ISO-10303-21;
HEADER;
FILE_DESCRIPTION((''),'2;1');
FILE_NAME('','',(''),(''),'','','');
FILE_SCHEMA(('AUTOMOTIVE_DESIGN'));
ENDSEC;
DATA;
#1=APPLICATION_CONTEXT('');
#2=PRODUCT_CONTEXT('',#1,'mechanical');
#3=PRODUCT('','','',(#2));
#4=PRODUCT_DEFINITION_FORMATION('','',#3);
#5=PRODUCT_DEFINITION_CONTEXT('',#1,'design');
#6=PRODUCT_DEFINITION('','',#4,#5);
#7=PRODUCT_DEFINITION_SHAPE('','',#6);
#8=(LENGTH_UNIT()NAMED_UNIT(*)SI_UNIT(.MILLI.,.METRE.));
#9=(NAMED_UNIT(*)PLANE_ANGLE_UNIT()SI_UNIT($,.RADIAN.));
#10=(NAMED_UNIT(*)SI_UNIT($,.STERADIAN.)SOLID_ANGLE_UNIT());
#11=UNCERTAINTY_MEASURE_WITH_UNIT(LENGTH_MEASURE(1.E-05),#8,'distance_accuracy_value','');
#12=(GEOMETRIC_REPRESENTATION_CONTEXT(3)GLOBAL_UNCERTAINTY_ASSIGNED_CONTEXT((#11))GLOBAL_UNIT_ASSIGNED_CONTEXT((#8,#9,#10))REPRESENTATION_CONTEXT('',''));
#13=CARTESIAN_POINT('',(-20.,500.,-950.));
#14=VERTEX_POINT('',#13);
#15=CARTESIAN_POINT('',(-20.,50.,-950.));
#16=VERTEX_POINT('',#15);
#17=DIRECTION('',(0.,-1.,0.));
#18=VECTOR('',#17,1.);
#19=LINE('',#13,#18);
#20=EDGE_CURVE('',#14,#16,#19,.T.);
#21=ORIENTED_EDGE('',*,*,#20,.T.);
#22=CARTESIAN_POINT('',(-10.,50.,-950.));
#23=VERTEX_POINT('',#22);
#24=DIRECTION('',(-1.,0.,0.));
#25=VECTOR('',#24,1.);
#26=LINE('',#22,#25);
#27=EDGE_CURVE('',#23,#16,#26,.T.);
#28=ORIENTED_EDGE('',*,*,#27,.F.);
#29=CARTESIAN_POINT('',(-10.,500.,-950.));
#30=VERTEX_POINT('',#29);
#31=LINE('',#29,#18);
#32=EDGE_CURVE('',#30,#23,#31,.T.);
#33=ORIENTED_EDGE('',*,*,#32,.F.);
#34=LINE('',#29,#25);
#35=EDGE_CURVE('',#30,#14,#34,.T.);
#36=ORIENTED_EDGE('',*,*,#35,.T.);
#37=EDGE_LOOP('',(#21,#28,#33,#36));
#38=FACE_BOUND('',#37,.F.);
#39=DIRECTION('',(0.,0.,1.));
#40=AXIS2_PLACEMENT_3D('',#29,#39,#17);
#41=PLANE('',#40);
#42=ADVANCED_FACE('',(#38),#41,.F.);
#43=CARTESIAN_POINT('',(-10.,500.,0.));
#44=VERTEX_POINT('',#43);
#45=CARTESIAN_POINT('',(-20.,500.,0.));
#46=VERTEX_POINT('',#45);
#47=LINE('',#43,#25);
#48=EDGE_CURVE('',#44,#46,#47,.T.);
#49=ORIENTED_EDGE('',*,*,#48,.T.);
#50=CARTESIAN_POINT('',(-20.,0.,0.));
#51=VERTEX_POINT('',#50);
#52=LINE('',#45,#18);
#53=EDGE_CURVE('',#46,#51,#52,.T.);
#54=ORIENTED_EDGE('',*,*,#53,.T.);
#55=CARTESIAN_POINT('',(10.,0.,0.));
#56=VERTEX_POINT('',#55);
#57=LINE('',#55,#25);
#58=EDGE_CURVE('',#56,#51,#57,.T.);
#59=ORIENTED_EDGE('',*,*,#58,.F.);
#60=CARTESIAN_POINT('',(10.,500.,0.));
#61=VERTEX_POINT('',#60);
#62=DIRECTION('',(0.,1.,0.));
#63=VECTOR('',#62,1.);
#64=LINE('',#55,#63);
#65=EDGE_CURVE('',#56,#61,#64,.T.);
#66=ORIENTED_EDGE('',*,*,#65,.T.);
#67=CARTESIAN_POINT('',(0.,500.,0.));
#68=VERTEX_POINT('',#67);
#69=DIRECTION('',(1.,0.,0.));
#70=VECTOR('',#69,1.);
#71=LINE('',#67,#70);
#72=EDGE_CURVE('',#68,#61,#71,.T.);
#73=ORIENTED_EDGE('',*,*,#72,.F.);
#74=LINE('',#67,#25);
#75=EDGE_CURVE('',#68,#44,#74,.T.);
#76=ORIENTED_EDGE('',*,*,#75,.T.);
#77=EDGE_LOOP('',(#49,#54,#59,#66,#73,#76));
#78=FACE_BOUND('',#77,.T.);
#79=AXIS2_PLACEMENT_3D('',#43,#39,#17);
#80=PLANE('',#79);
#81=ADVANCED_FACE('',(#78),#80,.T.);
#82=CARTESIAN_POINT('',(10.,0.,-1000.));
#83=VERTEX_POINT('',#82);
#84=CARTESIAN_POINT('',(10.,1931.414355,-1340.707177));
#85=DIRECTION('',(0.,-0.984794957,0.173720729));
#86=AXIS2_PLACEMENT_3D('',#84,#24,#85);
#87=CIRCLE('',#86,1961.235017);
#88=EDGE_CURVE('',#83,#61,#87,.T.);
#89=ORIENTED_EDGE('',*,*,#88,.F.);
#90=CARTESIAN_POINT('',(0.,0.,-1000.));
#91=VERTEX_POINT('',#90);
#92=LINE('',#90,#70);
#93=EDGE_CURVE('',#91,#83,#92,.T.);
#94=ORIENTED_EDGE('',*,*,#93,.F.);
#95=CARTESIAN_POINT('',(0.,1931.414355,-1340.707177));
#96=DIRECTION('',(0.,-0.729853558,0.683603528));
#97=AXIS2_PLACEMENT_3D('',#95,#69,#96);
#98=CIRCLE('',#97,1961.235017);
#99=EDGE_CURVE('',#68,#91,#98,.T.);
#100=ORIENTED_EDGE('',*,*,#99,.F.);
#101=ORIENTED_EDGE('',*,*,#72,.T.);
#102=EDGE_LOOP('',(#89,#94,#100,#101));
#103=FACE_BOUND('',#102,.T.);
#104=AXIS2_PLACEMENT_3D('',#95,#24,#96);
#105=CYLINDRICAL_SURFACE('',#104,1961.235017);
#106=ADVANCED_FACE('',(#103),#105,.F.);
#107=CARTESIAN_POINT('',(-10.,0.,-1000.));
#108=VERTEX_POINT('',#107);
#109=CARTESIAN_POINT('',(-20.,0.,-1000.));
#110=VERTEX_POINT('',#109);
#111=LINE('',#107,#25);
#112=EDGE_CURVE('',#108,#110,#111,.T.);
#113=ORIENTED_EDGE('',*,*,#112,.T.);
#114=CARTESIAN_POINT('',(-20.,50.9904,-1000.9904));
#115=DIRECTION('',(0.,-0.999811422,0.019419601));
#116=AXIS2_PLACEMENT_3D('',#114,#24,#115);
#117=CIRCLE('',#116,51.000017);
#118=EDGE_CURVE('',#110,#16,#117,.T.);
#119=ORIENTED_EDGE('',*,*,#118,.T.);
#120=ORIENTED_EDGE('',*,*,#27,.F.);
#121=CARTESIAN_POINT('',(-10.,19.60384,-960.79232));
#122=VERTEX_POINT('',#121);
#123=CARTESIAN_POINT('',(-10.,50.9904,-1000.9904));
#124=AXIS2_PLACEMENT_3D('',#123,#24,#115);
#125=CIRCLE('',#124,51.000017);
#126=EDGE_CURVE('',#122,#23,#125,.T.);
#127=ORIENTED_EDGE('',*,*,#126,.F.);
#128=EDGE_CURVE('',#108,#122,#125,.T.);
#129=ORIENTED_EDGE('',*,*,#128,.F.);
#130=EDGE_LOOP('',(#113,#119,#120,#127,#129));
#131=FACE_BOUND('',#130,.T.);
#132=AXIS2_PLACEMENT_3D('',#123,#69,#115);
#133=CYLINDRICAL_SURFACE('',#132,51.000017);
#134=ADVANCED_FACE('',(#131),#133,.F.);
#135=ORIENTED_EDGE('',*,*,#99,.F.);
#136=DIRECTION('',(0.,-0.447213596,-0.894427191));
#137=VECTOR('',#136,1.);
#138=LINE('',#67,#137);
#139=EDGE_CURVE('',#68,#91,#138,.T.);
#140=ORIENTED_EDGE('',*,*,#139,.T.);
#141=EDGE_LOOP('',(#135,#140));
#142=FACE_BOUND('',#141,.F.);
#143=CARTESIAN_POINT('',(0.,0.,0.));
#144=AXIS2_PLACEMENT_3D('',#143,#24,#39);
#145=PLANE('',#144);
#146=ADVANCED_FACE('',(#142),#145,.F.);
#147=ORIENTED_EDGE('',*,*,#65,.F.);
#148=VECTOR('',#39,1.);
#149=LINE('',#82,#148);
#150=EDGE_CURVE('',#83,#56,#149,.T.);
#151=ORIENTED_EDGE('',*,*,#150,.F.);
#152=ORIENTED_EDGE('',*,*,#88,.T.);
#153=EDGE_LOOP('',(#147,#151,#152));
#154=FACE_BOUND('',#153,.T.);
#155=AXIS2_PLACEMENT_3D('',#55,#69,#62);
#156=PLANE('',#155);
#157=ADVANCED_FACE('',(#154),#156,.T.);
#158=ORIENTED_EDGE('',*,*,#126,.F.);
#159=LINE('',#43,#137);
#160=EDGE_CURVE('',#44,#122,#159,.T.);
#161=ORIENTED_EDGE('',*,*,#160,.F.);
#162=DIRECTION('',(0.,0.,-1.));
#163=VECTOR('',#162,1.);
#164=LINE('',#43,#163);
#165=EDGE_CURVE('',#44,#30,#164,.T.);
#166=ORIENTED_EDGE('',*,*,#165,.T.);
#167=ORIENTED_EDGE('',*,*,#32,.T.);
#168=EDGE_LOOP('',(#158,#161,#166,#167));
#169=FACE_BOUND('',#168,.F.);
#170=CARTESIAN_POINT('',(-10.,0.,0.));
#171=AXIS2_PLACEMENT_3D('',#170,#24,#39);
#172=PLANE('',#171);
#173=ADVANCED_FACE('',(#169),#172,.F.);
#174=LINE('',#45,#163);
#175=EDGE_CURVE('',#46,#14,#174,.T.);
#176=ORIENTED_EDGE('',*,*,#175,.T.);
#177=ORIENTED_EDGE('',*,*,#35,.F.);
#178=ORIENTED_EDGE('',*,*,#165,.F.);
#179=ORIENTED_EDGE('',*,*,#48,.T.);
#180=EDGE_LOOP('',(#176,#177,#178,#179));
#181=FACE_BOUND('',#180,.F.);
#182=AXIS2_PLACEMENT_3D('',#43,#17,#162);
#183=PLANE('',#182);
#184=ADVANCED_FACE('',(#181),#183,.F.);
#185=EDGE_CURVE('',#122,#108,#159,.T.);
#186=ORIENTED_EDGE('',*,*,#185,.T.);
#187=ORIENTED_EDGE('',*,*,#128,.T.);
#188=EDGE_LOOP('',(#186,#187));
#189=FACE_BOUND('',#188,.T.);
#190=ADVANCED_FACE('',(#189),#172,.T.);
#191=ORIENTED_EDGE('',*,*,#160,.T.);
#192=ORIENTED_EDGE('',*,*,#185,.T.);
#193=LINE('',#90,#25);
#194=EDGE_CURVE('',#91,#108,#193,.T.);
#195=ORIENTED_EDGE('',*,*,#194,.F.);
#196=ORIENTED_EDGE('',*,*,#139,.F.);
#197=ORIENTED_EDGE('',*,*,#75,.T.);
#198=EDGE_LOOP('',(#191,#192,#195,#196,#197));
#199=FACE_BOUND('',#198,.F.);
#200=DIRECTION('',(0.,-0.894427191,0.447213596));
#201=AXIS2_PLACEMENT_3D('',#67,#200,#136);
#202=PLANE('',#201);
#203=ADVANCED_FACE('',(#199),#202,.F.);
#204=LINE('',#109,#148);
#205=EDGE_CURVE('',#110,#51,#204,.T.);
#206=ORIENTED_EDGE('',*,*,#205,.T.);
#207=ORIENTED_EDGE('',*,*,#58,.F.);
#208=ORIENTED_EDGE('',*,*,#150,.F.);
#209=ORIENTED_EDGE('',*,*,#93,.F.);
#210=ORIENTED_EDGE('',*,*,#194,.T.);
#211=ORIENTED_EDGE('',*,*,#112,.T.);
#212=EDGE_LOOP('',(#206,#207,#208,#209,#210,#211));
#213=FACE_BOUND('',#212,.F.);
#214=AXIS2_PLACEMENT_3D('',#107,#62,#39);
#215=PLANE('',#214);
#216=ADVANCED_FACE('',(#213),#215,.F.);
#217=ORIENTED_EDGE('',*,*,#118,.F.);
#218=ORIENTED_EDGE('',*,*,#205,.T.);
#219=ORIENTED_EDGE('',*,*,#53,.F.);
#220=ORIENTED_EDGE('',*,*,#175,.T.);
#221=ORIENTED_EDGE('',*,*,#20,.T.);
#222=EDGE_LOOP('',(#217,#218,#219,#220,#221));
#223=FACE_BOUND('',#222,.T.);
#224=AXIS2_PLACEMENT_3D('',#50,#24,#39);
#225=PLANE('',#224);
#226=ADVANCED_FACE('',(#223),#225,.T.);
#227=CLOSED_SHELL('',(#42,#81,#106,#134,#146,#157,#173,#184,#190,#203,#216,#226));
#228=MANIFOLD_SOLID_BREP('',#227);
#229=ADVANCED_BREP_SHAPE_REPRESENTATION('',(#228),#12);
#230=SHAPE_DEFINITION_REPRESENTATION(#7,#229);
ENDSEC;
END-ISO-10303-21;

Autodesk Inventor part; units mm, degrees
ref_plane "YZ Plane" through (0, 0, 0) normal (1, 0, 0) x (0, 1, 0)
ref_plane "XZ Plane" through (0, 0, 0) normal (0, 1, 0) x (-1, 0, 0)
ref_plane "XY Plane" through (0, 0, 0) normal (0, 0, 1) x (1, 0, 0)
sketch "Sketch1" plane through (0, 0, 0) normal (1, 0, 0) x (0, 1, 0)
  line L0 (0, 0) -> (500, 0)
  line L1 (500, 0) -> (500, -10)
  line L2 (500, -10) -> (0, -10)
  line L3 (0, -10) -> (0, 0)
  line L4 (0, 0) -> (10, 0)
  line L5 (10, 0) -> (10, -1000)
  line L6 (10, -1000) -> (0, -1000)
  line L7 (0, -1000) -> (0, 0)
  arc A0 (500, 0) -> (0, -1000) centre (1931.4141, -1340.707) ccw
  dimension "d0" = 500
  dimension "d1" = 10
  dimension "d2" = 10
  dimension "d3" = 1000
extrude "Extrusion1" add sketch "Sketch1" along normal blind 10 contours L0 L5 L2 L3 | L0 A0 L2 L5 | L2 L5 A0 L7 | L2 A0 L5
sketch "Sketch2" plane through (10, 0, 0) normal (1, 0, 0) x (0, 0, -1)
  point P0 (0, 0)
sketch "Sketch3" plane through (0, 0, 0) normal (-1, 0, 0) x (0, 0, 1)
  line L0 (0, 0) -> (-1000, 0) projected
  line L1 (0, 0) -> (-1000, 0)
  arc A0 (-1000, 0) -> (0, 500) centre (-1340.707, 1931.4141) ccw projected
  line L2 (0, 500) -> (0, 0) projected
  line L3 (0, 500) -> (0, 0)
  line L4 (0, 500) -> (-1000, 0)
extrude "Extrusion2" add sketch "Sketch3" along normal blind 10
sketch "Sketch4" plane through (10, 0, 0) normal (1, 0, 0) x (0, 0, -1)
  line L0 (0, 500) -> (0, 0) projected
  line L1 (0, 500) -> (0, 0)
  line L2 (0, 0) -> (1000, 0) projected
  line L3 (0, 0) -> (1000, 0)
sketch "Sketch5" plane through (-10, 0, 0) normal (-1, 0, 0) x (0, 0, 1)
  line L0 (0, 0) -> (-1000, 0) construction
  line L1 (-1000, 0) -> (-950, 0) construction
  line L2 (-950, 0) -> (-950, 50) construction
  line L3 (-950, 50) -> (-1000, 50) construction
  line L4 (-1000, 50) -> (-1000, 0) construction
  arc A0 (-1000, 0) -> (-950, 50) centre (-1000.9904, 50.9904) ccw
  line L5 (-1000, 0) -> (-950, 0)
  line L6 (-950, 50) -> (-950, 0)
  dimension "d8" = 50
  dimension "d9" = 50
  dimension "d10" = 51
extrude "Extrusion3" add sketch "Sketch5" along normal blind 10
sketch "Sketch6" plane through (-10, 0, 0) normal (-1, 0, 0) x (0, 0, 1)
  line L0 (-950, 0) -> (0, 0) projected
  line L1 (0, 500) -> (0, 0) projected
  line L2 (-950, 0) -> (0, 0)
  line L3 (0, 0) -> (0, 500)
  line L4 (0, 500) -> (-950, 500)
  line L5 (-950, 500) -> (-950, 0)
extrude "Extrusion4" add sketch "Sketch6" along normal blind 10
properties part number "ramps"
